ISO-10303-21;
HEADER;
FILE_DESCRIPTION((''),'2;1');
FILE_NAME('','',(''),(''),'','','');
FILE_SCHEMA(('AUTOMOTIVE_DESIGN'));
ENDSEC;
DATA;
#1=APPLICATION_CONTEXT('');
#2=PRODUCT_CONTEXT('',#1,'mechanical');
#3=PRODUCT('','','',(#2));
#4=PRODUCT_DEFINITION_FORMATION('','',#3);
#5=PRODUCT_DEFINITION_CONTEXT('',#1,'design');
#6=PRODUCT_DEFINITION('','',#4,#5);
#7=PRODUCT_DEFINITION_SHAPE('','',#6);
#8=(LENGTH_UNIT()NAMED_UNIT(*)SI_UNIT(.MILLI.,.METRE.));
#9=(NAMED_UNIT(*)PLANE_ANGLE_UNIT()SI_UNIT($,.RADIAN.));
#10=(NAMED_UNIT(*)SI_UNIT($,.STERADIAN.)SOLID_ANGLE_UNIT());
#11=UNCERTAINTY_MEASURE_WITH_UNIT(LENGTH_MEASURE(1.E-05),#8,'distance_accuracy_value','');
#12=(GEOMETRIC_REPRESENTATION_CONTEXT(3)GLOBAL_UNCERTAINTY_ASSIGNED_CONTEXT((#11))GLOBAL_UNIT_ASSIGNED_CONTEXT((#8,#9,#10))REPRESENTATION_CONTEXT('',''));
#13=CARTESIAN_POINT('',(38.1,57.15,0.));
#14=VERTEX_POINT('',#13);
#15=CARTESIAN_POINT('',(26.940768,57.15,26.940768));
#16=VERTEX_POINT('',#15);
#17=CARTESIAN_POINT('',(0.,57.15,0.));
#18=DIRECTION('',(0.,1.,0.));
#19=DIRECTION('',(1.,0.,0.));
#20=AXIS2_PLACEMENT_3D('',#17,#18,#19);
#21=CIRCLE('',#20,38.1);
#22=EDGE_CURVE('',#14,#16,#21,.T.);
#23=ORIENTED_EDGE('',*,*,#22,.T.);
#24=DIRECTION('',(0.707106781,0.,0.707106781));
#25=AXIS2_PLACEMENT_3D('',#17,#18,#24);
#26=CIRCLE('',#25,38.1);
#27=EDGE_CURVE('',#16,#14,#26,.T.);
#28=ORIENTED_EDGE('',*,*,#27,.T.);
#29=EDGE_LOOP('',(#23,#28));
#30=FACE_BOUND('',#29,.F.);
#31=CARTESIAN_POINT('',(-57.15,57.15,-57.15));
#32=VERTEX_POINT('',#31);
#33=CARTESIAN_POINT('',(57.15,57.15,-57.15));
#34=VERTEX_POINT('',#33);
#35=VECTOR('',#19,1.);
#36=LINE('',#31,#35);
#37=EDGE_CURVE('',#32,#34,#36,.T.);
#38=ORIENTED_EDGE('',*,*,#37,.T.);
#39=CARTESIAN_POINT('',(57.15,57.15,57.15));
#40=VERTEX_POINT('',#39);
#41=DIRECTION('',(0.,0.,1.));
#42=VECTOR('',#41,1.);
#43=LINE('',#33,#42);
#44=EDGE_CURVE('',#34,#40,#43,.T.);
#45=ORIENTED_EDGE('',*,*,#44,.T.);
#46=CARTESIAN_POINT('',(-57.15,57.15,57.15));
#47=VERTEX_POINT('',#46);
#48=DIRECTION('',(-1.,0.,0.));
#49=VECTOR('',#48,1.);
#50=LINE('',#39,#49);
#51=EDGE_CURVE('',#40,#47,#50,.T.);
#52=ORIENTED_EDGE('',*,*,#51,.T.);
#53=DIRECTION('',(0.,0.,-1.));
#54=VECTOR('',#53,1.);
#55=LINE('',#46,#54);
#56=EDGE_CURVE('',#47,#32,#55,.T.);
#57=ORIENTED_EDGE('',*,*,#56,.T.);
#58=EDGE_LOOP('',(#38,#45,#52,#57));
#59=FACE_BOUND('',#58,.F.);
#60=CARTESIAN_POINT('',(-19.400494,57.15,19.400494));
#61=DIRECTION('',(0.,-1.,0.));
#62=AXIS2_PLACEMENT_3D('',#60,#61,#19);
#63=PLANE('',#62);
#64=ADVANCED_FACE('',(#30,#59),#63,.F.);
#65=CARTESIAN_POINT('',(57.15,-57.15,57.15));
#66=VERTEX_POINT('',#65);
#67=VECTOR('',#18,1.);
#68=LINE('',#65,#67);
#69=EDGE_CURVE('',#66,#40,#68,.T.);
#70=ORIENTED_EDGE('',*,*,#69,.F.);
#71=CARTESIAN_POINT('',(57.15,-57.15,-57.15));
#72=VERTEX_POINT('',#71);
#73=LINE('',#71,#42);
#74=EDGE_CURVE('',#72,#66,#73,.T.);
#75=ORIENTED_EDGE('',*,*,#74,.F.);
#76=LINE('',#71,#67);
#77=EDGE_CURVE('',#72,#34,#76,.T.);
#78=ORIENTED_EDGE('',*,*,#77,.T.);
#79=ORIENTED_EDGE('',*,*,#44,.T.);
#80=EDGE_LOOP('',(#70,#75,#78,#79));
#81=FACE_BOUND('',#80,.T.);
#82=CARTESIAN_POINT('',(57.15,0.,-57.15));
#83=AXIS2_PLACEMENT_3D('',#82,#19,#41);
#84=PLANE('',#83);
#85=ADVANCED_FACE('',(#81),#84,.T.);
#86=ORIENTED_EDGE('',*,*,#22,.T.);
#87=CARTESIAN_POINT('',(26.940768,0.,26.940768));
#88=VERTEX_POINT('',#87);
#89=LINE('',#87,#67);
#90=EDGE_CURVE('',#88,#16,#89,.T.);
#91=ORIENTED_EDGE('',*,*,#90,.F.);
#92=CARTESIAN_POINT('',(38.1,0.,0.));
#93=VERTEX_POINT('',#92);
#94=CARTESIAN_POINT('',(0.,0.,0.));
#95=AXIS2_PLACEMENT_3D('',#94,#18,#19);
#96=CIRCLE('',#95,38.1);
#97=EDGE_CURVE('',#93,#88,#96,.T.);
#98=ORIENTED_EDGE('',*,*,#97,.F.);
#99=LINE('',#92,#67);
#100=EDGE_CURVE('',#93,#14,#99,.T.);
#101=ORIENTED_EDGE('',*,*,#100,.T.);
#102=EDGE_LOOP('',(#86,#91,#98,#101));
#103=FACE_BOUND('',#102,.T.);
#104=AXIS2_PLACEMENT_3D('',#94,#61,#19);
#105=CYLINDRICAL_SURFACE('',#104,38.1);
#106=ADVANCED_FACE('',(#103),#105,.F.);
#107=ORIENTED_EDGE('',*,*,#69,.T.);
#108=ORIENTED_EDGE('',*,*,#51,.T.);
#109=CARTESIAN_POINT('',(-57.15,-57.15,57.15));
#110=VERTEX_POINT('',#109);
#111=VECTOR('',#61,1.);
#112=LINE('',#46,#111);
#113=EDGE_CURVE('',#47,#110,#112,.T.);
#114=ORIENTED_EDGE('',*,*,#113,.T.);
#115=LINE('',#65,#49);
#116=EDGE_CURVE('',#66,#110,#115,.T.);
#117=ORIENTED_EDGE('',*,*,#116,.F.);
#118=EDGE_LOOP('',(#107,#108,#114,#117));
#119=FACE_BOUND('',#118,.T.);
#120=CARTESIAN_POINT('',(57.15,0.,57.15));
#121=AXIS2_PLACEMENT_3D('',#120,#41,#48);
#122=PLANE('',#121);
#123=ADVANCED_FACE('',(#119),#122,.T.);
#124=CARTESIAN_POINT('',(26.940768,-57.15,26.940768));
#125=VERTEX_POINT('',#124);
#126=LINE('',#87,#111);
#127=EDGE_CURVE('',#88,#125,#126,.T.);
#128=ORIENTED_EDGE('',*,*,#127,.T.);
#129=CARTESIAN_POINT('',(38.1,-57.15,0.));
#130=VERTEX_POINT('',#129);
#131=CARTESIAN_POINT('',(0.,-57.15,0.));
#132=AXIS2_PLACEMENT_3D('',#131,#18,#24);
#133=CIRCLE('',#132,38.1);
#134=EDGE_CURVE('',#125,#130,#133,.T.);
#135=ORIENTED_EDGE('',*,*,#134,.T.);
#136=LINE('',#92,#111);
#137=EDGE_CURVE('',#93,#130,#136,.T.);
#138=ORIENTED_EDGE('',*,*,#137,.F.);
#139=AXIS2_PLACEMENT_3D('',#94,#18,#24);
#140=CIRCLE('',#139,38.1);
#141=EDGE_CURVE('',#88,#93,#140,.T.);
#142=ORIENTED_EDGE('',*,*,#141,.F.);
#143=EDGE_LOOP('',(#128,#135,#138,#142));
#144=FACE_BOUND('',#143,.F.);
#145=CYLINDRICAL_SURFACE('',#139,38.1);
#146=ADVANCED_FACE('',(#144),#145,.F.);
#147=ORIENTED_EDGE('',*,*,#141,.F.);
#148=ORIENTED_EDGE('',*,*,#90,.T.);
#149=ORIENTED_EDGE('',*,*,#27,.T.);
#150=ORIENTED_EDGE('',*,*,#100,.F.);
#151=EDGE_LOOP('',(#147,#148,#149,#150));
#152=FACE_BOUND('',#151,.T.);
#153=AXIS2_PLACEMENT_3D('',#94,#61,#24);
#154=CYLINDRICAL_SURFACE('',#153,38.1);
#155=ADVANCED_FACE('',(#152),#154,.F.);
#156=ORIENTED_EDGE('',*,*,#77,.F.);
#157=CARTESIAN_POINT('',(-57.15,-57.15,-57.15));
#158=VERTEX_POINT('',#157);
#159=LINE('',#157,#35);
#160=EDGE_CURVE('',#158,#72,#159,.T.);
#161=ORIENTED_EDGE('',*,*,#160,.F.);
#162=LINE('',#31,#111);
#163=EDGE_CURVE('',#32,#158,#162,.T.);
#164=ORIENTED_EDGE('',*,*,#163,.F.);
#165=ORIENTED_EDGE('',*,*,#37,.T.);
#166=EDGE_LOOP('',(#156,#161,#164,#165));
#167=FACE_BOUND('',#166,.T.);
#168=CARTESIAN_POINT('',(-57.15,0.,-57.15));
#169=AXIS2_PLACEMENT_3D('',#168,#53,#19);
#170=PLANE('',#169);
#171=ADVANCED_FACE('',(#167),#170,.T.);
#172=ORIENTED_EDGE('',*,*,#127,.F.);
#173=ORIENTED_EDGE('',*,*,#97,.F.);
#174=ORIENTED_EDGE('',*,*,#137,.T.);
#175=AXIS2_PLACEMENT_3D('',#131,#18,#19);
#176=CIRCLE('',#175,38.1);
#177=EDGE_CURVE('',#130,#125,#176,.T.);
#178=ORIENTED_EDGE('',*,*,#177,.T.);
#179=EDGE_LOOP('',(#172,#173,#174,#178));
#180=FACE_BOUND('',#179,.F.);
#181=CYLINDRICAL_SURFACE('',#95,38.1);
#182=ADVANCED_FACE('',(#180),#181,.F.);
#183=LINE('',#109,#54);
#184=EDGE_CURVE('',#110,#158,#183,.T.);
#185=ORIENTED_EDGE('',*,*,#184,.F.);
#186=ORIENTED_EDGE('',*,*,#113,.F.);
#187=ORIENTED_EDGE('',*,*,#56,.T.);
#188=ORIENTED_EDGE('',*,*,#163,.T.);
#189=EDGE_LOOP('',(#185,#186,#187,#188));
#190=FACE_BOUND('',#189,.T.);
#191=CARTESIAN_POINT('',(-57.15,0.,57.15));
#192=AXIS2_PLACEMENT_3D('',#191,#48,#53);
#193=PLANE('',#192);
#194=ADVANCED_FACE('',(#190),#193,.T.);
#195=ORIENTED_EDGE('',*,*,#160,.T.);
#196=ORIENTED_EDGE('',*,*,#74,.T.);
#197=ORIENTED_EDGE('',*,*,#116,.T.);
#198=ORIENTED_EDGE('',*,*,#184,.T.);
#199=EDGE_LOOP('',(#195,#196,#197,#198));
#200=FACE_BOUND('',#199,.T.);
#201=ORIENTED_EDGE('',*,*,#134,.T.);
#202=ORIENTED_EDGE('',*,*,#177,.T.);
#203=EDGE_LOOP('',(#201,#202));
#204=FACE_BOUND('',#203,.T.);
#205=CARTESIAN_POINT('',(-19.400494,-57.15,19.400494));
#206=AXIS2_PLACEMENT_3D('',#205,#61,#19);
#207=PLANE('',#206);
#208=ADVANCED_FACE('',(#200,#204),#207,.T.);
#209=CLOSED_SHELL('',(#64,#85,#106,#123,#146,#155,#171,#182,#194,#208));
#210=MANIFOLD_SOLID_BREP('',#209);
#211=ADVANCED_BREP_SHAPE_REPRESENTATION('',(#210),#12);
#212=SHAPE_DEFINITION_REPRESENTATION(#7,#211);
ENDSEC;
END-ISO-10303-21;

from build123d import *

# Parameters (mm, degrees)
F1_DEPTH = 57.15


with BuildPart() as f1:
    # F0 (on Front) → F1 (new body, symmetric)
    with BuildSketch(Plane.XZ):
        with BuildLine():
            Line((57.15, 57.15), (-57.15, 57.15))
            Line((-57.15, 57.15), (-57.15, -57.15))
            Line((-57.15, -57.15), (-26.9407683632, -26.9407683632))
            ThreePointArc((-26.9407683632, -26.9407683632), (-26.9407683632, 26.9407683632), (26.9407683632, 26.9407683632))
            Line((26.9407683632, 26.9407683632), (57.15, 57.15))
        make_face()
        with BuildLine():
            Line((57.15, -57.15), (57.15, 57.15))
            Line((57.15, 57.15), (26.9407683632, 26.9407683632))
            ThreePointArc((26.9407683632, 26.9407683632), (35.1998101887, 14.5802387731), (38.1, 0))
            ThreePointArc((38.1, 0), (14.5802387731, -35.1998101887), (-26.9407683632, -26.9407683632))
            Line((-26.9407683632, -26.9407683632), (-57.15, -57.15))
            Line((-57.15, -57.15), (57.15, -57.15))
        make_face()
    extrude(amount=F1_DEPTH, both=True)


solid = f1.part
